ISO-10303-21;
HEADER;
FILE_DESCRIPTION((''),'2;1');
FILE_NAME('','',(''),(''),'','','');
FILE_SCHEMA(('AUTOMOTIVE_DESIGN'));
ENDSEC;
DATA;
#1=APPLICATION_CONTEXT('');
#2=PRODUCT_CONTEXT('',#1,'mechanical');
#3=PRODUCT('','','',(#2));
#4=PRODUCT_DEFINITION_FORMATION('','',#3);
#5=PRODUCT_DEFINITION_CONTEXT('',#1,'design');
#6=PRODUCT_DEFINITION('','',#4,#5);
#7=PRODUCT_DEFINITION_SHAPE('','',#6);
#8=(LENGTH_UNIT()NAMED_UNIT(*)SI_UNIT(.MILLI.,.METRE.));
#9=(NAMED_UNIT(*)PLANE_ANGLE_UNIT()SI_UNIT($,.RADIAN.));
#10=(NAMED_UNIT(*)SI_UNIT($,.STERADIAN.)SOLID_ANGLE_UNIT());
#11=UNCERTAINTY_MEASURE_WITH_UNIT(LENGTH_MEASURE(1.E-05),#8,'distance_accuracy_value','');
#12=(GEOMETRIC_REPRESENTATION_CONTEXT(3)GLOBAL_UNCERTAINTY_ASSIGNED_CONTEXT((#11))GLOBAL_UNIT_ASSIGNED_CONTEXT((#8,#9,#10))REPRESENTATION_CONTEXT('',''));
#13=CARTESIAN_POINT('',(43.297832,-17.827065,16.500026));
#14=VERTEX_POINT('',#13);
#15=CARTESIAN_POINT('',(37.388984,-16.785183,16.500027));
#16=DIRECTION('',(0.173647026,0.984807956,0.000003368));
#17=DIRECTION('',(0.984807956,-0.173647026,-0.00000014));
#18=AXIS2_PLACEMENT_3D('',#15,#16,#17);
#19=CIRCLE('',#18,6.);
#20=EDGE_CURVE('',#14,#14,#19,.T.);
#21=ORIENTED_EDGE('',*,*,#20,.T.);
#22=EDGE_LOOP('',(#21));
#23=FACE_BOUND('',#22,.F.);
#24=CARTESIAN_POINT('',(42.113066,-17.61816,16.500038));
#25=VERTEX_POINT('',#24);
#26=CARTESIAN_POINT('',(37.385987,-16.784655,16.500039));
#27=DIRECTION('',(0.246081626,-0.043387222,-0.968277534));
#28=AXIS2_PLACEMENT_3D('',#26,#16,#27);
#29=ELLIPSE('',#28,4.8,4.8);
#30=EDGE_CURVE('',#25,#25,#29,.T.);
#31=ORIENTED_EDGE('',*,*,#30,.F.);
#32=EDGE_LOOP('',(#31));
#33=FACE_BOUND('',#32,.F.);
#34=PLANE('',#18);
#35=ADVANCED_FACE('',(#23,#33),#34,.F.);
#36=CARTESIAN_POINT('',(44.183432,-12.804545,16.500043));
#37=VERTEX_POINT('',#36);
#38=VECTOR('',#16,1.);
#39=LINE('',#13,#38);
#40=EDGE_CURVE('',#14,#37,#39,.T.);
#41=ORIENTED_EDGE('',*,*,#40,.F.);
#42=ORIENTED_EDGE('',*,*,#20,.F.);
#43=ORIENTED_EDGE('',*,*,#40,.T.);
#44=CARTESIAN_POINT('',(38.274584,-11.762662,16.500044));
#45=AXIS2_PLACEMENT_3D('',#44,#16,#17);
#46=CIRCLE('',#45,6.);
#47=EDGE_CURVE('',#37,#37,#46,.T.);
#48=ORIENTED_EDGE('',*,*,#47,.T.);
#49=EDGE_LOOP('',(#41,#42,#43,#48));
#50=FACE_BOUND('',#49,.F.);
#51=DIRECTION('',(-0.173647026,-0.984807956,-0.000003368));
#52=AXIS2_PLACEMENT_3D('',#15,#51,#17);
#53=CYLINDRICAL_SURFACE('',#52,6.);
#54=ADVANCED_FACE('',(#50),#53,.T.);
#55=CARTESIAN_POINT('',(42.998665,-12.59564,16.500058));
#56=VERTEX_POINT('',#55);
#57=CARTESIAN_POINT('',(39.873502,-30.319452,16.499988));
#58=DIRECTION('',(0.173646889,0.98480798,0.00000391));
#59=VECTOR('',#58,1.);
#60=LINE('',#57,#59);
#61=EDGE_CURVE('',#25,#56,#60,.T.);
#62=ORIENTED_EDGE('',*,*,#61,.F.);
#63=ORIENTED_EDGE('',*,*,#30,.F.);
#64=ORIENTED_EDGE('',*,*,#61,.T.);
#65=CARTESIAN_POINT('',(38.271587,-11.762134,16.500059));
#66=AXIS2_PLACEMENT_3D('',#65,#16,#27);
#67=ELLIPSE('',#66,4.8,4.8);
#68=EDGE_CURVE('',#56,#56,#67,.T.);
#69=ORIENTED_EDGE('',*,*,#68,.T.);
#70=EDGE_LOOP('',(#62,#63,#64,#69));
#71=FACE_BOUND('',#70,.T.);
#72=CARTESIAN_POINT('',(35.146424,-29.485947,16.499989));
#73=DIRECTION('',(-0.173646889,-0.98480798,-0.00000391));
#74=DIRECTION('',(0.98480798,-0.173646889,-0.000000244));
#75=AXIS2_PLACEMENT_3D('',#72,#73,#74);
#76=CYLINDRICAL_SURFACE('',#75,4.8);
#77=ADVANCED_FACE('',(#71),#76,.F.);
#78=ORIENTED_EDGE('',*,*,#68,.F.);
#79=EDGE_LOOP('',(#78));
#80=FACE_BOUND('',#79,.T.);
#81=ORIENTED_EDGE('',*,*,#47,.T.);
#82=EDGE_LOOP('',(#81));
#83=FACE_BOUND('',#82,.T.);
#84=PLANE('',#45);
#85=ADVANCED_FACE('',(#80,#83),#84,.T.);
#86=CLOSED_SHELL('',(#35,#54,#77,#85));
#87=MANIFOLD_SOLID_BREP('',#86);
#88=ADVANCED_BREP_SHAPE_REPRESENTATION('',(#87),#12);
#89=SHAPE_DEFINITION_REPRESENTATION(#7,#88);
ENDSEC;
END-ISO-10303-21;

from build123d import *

# Parameters (mm, degrees)
CYLINDER063_R               = 4.8
CYLINDER063_DEPTH           = 18
CYLINDER063_ROLL_ANGLE      = -89.999776
CYLINDER063_PITCH_ANGLE     = 1.4e-05
CYLINDER063_PLACEMENT_ANGLE = -9.999925
CYLINDER062_R               = 6
CYLINDER062_DEPTH           = 5.1
CYLINDER062_ROLL_ANGLE      = -89.999807
CYLINDER062_PITCH_ANGLE     = 8e-06
CYLINDER062_PLACEMENT_ANGLE = -9.999933


with BuildPart() as cylinder063:
    # Cylinder063 → Cylinder063 (new body)
    with BuildSketch(Plane.XY):
        Circle(CYLINDER063_R)
    extrude(amount=CYLINDER063_DEPTH)


with BuildPart() as cylinder063_1:
    # Cylinder063 roll: moved
    add(cylinder063.part.rotate(Axis((0, 0, 0), (1, 0, 0)), CYLINDER063_ROLL_ANGLE))


with BuildPart() as cylinder063_2:
    # Cylinder063 pitch: moved
    add(cylinder063_1.part.rotate(Axis((0, 0, 0), (0, 1, 0)), CYLINDER063_PITCH_ANGLE))


with BuildPart() as cylinder063_3:
    # Cylinder063 placement: moved
    add(cylinder063_2.part.moved(Location((35.146424, -29.285947, 16.499989))).rotate(Axis((35.146424, -29.285947, 16.499989), (0, 0, 1)), CYLINDER063_PLACEMENT_ANGLE))


with BuildPart() as cut060:
    # Cylinder062 → Cylinder062 (new body)
    with BuildSketch(Plane.XY):
        Circle(CYLINDER062_R)
    extrude(amount=CYLINDER062_DEPTH)


with BuildPart() as cut060_1:
    # Cylinder062 roll: moved
    add(cut060.part.rotate(Axis((0, 0, 0), (1, 0, 0)), CYLINDER062_ROLL_ANGLE))


with BuildPart() as cut060_2:
    # Cylinder062 pitch: moved
    add(cut060_1.part.rotate(Axis((0, 0, 0), (0, 1, 0)), CYLINDER062_PITCH_ANGLE))


with BuildPart() as cut060_3:
    # Cylinder062 placement: moved
    add(cut060_2.part.moved(Location((37.388984, -16.585183, 16.500027))).rotate(Axis((37.388984, -16.585183, 16.500027), (0, 0, 1)), CYLINDER062_PLACEMENT_ANGLE))

    # Cut060: cut Cylinder063
    add(cylinder063_3.part, mode=Mode.SUBTRACT)


with BuildPart() as cut060_4:
    # Cut060 placement: moved
    add(cut060_3.part.moved(Location((0, -0.2, 0))))


solid = cut060_4.part
